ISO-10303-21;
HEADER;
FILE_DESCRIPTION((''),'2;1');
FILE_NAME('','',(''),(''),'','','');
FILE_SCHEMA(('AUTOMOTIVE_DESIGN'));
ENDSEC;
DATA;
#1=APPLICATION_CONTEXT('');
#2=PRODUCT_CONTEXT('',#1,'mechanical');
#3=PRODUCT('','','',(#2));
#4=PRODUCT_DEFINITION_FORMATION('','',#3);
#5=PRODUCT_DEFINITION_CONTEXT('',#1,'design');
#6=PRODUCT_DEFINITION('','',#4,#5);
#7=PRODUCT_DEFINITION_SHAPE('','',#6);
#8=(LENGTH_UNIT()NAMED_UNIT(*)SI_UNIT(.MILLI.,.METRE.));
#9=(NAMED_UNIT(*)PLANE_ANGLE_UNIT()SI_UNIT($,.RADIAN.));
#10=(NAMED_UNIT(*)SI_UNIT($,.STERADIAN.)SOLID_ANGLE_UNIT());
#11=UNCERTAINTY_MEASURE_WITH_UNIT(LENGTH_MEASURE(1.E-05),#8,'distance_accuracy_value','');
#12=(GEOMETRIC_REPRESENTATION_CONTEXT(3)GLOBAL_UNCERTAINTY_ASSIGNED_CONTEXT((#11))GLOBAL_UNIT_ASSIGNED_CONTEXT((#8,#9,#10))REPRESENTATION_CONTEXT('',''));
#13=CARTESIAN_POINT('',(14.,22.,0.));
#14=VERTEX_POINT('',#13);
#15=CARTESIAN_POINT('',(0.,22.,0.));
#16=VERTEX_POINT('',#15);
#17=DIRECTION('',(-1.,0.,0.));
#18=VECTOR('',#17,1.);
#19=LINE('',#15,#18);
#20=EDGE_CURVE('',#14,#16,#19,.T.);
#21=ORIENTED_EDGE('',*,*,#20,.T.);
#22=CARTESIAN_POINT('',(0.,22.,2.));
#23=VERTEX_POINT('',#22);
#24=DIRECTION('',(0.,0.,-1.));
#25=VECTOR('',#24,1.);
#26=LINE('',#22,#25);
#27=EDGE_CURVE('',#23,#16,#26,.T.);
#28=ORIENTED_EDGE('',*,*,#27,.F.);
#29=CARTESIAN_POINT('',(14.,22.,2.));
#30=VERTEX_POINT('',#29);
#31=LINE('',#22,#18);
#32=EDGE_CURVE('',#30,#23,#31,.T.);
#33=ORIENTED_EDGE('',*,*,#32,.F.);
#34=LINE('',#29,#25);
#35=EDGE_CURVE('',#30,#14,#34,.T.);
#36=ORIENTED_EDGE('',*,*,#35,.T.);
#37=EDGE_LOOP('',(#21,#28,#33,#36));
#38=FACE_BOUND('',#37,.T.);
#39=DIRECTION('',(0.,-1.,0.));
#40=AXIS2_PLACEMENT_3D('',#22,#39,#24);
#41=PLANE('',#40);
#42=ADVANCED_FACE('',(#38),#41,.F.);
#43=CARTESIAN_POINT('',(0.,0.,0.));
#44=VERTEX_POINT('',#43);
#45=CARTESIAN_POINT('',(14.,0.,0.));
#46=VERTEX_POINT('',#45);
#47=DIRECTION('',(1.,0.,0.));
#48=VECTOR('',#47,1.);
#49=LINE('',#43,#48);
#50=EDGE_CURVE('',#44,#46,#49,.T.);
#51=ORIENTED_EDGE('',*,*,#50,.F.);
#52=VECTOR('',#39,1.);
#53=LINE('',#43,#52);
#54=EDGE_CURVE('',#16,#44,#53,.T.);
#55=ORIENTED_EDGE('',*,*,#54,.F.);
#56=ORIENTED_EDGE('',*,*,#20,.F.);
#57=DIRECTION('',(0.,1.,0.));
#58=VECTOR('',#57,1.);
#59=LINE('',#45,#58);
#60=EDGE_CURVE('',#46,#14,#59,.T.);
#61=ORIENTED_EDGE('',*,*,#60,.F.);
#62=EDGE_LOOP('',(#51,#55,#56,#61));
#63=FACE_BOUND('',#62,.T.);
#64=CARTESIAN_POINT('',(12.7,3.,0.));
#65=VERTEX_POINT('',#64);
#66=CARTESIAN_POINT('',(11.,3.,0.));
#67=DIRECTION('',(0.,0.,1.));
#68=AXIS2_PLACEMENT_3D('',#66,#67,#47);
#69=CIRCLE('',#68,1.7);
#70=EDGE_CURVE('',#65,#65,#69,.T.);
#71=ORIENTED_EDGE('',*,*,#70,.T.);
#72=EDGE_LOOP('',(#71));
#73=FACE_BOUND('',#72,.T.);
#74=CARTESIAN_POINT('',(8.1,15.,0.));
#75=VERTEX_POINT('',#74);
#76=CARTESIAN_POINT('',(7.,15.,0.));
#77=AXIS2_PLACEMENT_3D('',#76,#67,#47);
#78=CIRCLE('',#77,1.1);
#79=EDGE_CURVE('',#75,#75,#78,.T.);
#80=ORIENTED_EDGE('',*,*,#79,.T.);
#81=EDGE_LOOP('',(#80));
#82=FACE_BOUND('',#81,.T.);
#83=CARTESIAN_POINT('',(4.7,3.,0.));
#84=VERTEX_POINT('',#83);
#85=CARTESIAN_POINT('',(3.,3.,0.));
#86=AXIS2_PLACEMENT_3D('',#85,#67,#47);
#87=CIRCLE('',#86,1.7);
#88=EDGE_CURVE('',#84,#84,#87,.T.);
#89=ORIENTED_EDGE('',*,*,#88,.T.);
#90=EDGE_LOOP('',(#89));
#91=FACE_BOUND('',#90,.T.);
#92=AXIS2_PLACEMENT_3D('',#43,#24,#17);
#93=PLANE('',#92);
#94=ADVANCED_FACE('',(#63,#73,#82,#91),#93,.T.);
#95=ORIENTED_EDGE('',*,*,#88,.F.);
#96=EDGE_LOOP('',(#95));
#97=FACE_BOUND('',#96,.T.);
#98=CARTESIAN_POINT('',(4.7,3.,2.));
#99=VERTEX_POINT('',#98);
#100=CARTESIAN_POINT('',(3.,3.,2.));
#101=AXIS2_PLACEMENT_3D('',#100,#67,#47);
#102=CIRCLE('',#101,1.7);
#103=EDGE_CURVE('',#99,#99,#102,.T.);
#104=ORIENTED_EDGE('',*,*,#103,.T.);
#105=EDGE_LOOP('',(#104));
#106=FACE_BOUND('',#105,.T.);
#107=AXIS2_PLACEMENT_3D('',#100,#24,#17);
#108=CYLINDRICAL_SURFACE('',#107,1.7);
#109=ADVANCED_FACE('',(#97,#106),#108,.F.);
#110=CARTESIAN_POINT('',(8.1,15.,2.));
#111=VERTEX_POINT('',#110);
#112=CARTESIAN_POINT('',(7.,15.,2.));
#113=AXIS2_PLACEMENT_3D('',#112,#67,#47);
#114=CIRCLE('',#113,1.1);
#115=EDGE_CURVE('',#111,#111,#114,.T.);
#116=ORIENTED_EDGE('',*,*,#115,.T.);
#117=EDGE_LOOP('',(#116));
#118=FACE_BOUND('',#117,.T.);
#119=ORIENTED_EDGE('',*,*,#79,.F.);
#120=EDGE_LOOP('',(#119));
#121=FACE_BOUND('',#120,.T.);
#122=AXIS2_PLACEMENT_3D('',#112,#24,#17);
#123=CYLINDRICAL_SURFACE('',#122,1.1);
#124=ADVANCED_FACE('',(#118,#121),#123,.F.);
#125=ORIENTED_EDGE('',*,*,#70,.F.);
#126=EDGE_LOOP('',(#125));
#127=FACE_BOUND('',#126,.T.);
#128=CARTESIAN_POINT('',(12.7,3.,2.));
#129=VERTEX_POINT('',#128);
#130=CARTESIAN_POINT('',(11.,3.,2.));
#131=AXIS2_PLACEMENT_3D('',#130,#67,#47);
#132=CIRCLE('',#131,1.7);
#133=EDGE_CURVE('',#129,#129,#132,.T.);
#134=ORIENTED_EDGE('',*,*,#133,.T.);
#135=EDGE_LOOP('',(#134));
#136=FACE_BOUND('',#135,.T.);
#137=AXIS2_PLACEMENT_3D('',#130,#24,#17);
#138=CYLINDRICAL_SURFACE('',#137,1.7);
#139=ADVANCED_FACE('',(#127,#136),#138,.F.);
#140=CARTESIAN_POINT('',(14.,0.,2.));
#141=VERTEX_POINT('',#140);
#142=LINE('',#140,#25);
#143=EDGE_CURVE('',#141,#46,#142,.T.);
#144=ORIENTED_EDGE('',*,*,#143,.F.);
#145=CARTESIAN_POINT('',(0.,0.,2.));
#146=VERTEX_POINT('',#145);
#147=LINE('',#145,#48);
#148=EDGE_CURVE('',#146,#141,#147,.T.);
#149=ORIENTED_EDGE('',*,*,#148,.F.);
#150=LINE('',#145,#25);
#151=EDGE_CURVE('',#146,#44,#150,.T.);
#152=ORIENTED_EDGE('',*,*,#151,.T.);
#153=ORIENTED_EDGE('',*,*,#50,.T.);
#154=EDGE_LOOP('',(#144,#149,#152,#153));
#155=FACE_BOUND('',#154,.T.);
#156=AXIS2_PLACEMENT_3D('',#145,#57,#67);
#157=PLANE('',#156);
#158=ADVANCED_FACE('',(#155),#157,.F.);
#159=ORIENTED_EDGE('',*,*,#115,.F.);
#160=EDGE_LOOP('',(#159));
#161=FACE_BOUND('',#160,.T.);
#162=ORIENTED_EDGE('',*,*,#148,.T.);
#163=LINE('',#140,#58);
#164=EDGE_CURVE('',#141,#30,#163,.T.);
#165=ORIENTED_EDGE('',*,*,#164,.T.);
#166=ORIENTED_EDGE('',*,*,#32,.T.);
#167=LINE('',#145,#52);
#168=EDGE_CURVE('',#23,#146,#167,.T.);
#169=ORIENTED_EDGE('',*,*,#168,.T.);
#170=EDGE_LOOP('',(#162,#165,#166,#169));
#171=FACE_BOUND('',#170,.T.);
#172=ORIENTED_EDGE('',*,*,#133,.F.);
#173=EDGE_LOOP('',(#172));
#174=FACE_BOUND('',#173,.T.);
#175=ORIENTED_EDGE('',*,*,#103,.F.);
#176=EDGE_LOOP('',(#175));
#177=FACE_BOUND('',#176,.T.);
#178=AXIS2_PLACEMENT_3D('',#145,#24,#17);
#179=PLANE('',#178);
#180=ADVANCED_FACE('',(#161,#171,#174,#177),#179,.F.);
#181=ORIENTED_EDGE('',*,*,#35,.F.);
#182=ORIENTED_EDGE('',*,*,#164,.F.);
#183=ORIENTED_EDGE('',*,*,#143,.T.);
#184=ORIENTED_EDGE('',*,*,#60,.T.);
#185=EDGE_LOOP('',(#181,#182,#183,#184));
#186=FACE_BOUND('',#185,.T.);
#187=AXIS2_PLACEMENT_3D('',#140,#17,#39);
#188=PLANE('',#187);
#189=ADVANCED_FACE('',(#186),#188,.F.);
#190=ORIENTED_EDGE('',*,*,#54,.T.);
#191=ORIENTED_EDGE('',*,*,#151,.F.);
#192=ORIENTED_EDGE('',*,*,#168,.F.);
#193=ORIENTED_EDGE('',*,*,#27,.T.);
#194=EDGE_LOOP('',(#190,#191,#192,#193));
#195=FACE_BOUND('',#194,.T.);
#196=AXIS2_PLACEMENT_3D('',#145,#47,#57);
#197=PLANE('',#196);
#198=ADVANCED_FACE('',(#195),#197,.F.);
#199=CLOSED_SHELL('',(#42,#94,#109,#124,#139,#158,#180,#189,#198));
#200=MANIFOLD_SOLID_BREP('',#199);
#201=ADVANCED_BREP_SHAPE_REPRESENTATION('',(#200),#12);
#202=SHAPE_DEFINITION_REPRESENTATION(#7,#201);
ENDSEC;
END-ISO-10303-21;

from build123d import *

# Parameters (mm, degrees)
SKETCH_1_W      = 14
SKETCH_1_H      = 22
SKETCH_1_R      = 1.7
SKETCH_1_R_2    = 1.1
EXTRUDE_1_DEPTH = 2


with BuildPart() as part:
    # Эскиз1 → Вытянуть1 (new body)
    with BuildSketch(Plane.XY):
        with Locations((7, 11)):
            Rectangle(SKETCH_1_W, SKETCH_1_H)
        with Locations((3, 3)):
            Circle(SKETCH_1_R, mode=Mode.SUBTRACT)
        with Locations((11, 3)):
            Circle(SKETCH_1_R, mode=Mode.SUBTRACT)
        with Locations((7, 15)):
            Circle(SKETCH_1_R_2, mode=Mode.SUBTRACT)
    extrude(amount=EXTRUDE_1_DEPTH)


solid = part.part
